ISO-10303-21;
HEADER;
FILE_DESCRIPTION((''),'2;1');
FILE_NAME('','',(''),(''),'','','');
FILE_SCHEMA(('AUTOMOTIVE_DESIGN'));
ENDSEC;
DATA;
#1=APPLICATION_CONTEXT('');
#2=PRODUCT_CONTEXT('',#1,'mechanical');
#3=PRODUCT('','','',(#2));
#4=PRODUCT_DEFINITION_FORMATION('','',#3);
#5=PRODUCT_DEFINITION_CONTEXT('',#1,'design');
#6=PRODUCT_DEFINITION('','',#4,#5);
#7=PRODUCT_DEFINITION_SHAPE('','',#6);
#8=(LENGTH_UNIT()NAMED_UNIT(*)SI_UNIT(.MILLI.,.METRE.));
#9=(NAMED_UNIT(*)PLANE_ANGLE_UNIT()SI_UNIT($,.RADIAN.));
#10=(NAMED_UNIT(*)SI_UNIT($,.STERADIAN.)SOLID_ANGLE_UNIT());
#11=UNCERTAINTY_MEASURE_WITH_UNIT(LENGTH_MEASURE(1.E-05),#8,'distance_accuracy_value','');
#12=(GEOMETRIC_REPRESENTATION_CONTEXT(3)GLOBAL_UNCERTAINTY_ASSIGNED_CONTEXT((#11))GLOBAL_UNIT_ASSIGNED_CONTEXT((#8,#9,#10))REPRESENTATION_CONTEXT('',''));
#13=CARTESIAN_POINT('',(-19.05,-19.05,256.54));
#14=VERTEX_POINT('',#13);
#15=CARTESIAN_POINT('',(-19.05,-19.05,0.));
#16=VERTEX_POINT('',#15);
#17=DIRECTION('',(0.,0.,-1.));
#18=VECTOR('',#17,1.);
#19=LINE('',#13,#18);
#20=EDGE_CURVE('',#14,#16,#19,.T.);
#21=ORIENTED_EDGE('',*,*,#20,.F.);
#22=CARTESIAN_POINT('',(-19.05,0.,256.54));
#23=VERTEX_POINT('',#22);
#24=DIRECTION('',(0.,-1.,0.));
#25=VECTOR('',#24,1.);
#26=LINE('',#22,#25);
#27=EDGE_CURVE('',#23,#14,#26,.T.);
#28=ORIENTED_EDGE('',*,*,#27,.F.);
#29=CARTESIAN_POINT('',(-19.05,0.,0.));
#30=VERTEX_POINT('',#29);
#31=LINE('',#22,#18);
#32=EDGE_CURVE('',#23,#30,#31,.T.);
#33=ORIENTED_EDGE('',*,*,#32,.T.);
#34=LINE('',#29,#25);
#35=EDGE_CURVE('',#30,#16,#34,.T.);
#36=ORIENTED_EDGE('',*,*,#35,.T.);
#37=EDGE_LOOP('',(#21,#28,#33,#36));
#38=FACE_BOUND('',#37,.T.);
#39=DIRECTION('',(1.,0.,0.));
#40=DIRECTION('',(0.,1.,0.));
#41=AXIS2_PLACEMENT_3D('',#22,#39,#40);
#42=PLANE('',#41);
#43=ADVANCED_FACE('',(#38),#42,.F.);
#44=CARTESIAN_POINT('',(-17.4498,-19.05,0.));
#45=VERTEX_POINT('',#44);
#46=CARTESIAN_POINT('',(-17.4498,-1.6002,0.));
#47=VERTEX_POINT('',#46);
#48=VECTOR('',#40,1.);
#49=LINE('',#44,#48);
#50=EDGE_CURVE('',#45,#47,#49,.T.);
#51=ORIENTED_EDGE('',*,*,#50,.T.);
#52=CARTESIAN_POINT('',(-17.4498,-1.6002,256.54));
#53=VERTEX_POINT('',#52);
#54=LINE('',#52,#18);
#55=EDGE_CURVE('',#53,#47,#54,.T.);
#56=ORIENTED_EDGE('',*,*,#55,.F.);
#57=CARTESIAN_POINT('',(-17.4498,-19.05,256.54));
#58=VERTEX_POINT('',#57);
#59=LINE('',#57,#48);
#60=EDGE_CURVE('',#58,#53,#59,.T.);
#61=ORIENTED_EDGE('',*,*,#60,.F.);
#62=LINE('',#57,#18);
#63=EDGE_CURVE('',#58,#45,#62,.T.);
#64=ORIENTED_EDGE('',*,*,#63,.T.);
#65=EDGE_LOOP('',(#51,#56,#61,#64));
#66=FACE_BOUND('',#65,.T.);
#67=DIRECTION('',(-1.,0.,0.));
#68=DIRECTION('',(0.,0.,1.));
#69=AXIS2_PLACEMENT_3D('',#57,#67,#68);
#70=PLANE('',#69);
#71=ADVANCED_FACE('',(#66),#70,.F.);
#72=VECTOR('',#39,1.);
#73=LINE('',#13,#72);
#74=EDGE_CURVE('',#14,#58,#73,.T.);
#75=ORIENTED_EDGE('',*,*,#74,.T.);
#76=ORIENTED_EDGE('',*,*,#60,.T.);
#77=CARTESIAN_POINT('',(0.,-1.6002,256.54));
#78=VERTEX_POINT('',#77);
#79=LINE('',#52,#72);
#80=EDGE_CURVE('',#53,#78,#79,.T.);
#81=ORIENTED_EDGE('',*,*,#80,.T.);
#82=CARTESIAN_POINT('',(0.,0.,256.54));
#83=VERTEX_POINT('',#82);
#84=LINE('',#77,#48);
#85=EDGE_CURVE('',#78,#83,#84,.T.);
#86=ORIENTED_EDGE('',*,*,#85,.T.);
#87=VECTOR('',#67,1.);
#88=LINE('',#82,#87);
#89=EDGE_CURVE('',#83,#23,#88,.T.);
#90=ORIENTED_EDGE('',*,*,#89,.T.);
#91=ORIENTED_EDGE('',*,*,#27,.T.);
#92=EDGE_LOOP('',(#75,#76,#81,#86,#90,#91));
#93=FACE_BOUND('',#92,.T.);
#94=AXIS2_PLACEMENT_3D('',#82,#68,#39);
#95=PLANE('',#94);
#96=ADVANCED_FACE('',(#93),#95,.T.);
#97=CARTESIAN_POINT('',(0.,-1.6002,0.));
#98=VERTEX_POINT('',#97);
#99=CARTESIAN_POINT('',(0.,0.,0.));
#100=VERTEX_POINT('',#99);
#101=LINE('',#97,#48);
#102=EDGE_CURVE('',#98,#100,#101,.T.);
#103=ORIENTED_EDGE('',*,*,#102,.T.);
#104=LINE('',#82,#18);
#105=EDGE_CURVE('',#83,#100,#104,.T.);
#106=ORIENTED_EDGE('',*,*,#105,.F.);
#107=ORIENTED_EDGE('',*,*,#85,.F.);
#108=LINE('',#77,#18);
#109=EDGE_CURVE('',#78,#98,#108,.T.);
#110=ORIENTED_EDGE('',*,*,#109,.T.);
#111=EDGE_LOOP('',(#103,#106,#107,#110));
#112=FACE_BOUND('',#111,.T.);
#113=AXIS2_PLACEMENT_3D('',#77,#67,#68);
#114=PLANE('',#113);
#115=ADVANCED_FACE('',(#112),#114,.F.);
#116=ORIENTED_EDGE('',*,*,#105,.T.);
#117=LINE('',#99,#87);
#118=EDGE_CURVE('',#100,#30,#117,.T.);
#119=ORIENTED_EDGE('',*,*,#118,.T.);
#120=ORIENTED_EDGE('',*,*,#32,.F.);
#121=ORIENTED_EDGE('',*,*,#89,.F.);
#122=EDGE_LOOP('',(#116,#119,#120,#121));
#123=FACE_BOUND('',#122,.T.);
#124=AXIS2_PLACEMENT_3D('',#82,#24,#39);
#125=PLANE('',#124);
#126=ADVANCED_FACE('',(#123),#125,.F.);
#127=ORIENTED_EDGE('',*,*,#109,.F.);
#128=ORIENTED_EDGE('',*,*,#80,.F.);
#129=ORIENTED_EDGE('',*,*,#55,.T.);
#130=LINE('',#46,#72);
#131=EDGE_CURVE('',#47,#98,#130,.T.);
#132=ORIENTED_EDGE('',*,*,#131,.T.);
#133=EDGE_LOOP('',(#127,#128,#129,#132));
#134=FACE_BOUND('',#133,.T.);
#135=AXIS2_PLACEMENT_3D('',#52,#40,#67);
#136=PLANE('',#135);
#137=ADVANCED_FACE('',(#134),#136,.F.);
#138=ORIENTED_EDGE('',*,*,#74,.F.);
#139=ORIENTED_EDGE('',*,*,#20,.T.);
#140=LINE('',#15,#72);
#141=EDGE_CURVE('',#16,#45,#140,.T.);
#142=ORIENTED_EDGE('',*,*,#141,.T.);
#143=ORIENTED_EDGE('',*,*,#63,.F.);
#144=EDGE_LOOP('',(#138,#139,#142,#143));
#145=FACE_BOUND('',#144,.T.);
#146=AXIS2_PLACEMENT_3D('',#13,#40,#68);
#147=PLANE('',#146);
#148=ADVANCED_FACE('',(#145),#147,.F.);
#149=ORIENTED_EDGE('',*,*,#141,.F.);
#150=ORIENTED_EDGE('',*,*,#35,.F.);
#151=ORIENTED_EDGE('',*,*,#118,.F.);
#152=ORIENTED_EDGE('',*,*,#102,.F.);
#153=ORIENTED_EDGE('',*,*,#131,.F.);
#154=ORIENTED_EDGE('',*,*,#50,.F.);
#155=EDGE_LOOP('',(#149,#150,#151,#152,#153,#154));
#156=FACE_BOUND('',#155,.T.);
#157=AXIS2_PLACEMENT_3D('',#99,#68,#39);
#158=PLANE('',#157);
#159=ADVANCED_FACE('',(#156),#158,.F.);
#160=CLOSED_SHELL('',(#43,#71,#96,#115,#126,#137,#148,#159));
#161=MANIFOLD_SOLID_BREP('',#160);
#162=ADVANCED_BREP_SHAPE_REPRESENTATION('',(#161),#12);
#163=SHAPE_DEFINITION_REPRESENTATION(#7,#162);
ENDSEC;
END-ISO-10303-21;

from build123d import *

# Parameters (mm, degrees)
BOSS_EXTRUDE1_DEPTH = 256.54


with BuildPart() as part:
    # Sketch1 → Boss-Extrude1 (new body)
    with BuildSketch(Plane.XY):
        Polygon((0, 0), (-19.05, 0), (-19.05, -19.05), (-17.4498, -19.05), (-17.4498, -1.6002), (0, -1.6002), align=None)
    extrude(amount=BOSS_EXTRUDE1_DEPTH)


solid = part.part
